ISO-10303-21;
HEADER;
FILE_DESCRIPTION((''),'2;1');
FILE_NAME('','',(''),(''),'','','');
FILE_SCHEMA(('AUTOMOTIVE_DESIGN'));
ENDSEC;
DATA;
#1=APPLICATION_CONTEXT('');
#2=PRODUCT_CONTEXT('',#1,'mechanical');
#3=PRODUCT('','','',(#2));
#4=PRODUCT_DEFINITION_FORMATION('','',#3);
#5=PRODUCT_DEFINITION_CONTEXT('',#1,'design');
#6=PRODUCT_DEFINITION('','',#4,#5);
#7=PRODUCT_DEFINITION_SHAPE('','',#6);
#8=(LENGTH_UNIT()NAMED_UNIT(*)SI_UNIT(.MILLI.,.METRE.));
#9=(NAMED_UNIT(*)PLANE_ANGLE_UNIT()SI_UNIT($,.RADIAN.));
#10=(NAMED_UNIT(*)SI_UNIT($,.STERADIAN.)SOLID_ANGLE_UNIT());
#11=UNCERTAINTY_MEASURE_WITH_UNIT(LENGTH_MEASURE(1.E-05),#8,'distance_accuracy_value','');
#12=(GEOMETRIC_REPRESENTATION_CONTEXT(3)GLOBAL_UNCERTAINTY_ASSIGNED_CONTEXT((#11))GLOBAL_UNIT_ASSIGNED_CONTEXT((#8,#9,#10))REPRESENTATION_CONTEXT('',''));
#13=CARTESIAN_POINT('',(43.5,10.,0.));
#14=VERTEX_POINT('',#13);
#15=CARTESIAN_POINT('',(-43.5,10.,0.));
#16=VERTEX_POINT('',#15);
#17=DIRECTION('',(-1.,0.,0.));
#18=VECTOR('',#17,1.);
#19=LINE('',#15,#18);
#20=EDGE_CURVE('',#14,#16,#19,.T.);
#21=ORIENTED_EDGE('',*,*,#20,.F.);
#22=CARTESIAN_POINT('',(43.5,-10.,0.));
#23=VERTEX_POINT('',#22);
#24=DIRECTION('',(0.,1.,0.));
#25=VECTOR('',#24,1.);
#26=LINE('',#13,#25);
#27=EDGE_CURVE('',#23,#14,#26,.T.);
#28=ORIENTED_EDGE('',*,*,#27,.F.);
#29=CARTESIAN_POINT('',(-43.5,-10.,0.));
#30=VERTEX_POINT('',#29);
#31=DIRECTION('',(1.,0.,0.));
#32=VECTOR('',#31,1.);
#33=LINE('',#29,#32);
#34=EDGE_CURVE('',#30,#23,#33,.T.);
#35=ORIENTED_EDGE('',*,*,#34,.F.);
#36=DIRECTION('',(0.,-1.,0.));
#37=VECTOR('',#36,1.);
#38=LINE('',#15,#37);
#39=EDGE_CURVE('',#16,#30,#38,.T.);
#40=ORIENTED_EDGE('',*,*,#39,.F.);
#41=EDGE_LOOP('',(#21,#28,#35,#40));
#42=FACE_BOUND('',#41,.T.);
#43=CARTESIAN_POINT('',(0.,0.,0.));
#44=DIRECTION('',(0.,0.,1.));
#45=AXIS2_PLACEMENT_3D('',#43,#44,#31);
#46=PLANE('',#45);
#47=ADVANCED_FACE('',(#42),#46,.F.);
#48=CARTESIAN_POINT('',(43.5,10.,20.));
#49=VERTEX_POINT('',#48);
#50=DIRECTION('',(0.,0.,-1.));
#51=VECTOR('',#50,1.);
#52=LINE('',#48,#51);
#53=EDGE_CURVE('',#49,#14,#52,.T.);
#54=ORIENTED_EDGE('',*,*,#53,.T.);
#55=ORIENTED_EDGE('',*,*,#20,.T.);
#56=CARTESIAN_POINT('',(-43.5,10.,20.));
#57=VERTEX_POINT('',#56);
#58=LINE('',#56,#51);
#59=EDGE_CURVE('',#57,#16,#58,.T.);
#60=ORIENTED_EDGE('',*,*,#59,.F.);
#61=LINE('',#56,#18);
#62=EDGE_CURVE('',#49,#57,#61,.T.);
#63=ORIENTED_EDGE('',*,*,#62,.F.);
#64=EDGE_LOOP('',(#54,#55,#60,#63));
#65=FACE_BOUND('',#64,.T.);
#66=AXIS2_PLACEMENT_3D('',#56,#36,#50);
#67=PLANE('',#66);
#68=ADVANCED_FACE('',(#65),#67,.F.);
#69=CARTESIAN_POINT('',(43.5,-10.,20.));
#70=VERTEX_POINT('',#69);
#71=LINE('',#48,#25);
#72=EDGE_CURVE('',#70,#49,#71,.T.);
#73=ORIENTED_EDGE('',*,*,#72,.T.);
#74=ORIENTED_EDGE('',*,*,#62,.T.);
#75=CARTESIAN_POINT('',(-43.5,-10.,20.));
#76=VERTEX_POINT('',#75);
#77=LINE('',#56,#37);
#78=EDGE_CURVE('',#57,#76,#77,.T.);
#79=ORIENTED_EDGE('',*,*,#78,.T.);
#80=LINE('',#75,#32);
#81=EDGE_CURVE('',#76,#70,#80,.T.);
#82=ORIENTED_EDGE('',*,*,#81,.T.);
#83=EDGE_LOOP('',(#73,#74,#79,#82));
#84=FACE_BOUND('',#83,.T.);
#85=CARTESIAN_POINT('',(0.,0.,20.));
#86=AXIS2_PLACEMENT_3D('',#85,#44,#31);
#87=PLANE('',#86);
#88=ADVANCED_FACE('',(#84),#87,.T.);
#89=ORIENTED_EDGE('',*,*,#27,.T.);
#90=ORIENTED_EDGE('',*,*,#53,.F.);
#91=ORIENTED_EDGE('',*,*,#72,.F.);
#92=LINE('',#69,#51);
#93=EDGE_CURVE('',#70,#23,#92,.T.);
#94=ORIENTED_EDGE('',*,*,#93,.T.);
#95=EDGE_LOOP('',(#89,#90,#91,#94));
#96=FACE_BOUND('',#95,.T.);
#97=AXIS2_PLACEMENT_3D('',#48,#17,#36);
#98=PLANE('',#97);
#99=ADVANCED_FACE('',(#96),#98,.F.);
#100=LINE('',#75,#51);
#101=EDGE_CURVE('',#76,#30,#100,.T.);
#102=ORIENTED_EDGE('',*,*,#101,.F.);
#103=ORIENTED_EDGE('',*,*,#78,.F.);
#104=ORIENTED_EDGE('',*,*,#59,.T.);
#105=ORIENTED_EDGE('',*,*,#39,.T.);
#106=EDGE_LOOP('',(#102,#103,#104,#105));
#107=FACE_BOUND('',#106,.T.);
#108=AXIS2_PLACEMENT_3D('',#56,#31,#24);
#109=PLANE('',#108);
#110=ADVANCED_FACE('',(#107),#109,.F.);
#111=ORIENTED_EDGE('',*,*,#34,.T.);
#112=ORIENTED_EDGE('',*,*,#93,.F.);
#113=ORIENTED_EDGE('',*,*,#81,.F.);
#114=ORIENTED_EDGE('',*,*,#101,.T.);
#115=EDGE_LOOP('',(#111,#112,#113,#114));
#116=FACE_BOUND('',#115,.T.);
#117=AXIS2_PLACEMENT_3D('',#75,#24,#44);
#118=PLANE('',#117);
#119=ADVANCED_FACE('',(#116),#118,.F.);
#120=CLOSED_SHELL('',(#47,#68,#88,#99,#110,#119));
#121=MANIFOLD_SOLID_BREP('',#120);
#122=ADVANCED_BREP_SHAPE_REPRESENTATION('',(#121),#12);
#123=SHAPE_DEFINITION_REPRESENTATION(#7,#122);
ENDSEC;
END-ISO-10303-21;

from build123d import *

# Parameters (mm, degrees)
SKETCH_1_W      = 87
SKETCH_1_H      = 20
EXTRUDE_1_DEPTH = 20


with BuildPart() as part:
    # 草圖1 → 填料-伸長1 (new body)
    with BuildSketch(Plane.XY):
        Rectangle(SKETCH_1_W, SKETCH_1_H)
    extrude(amount=EXTRUDE_1_DEPTH)


solid = part.part
